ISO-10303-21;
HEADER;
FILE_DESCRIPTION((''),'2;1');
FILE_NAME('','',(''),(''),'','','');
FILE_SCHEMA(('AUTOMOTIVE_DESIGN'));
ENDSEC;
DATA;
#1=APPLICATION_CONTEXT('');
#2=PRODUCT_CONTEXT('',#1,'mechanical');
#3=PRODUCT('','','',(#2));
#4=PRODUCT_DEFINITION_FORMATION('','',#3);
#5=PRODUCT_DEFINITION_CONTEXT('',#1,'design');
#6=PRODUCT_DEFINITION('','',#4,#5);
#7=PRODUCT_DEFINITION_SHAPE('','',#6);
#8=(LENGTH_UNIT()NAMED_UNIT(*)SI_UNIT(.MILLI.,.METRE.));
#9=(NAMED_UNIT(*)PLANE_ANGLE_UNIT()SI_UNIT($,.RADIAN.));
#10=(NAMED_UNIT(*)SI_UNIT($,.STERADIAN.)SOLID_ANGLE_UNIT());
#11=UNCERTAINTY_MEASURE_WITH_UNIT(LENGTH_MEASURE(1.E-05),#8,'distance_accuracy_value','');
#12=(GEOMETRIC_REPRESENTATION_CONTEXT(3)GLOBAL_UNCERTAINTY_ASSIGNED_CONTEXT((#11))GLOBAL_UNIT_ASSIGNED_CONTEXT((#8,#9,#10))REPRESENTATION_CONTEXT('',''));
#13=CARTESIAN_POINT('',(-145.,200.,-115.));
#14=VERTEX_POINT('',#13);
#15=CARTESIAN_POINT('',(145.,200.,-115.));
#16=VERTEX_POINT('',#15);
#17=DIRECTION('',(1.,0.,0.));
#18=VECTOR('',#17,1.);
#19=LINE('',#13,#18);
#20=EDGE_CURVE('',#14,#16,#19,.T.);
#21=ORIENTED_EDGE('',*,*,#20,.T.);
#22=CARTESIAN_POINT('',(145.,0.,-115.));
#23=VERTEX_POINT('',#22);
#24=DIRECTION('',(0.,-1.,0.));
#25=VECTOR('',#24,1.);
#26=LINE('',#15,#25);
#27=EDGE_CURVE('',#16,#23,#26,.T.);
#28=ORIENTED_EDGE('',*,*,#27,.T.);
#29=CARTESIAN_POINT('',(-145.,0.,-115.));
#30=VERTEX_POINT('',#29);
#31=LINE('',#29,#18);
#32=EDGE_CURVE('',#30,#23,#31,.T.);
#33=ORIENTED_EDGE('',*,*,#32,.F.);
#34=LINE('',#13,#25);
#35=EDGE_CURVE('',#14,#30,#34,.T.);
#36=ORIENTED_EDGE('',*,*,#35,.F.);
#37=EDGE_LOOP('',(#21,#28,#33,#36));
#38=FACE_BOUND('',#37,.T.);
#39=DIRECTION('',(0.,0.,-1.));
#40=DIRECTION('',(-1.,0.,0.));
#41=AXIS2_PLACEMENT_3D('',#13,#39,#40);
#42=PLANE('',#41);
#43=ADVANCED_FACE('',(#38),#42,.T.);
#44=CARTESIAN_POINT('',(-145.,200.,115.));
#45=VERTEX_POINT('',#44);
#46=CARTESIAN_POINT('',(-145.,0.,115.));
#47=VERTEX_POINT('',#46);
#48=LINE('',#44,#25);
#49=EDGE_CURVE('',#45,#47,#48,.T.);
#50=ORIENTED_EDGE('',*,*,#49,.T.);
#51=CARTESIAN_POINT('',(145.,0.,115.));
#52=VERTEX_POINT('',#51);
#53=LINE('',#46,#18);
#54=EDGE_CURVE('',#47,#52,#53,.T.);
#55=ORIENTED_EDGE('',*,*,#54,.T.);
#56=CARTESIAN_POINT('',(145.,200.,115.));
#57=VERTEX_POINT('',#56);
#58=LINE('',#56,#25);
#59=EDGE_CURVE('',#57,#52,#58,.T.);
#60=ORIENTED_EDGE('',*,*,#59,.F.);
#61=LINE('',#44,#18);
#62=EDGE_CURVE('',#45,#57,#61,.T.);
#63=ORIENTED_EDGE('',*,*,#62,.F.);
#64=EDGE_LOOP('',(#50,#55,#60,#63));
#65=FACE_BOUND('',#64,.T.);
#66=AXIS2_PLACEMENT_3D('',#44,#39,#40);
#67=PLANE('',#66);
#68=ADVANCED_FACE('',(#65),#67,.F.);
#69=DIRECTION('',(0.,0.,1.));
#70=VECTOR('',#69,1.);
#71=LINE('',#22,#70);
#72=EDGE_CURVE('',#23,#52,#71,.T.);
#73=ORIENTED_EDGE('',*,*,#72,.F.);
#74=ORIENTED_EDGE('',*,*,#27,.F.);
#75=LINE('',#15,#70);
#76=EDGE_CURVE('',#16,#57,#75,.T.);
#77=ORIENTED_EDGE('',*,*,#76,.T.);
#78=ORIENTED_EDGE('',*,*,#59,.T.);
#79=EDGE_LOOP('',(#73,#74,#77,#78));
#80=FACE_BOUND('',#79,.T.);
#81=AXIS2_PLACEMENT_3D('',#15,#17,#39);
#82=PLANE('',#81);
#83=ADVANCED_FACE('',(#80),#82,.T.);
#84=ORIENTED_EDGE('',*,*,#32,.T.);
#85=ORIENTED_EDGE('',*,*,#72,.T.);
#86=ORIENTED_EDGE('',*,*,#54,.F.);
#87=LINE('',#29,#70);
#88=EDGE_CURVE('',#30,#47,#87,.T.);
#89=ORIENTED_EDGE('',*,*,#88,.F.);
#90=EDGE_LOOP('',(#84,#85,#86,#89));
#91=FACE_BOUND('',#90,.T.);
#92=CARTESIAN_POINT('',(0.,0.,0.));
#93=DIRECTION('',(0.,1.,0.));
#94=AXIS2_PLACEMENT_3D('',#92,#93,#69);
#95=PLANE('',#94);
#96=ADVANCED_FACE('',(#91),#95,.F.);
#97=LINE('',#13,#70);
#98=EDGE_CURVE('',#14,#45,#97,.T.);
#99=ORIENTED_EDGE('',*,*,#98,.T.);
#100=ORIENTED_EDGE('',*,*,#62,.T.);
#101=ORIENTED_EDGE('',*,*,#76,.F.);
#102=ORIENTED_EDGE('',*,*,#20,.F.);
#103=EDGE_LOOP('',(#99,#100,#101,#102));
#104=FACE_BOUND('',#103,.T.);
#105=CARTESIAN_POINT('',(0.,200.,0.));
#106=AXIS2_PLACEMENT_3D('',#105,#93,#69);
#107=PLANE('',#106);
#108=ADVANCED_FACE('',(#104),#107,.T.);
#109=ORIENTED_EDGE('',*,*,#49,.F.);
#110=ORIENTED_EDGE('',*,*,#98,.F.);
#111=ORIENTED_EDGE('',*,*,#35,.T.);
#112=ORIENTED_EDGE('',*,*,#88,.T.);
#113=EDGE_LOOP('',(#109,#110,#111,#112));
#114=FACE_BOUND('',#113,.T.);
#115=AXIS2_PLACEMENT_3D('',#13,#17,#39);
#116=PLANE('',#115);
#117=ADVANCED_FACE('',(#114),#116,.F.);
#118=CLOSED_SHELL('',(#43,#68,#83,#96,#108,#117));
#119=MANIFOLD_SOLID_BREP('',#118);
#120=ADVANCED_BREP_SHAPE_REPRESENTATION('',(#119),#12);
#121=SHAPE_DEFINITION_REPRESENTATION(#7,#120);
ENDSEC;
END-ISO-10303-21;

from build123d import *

# Parameters (mm, degrees)
SKETCH_1_W      = 290
SKETCH_1_H      = 230
EXTRUDE_1_DEPTH = 200


with BuildPart() as part:
    # 草图1 → 凸台-拉伸1 (new body)
    with BuildSketch(Plane(origin=(0, 0, 0), x_dir=(1, 0, 0), z_dir=(0, 1, 0))):
        Rectangle(SKETCH_1_W, SKETCH_1_H)
    extrude(amount=EXTRUDE_1_DEPTH)


solid = part.part
